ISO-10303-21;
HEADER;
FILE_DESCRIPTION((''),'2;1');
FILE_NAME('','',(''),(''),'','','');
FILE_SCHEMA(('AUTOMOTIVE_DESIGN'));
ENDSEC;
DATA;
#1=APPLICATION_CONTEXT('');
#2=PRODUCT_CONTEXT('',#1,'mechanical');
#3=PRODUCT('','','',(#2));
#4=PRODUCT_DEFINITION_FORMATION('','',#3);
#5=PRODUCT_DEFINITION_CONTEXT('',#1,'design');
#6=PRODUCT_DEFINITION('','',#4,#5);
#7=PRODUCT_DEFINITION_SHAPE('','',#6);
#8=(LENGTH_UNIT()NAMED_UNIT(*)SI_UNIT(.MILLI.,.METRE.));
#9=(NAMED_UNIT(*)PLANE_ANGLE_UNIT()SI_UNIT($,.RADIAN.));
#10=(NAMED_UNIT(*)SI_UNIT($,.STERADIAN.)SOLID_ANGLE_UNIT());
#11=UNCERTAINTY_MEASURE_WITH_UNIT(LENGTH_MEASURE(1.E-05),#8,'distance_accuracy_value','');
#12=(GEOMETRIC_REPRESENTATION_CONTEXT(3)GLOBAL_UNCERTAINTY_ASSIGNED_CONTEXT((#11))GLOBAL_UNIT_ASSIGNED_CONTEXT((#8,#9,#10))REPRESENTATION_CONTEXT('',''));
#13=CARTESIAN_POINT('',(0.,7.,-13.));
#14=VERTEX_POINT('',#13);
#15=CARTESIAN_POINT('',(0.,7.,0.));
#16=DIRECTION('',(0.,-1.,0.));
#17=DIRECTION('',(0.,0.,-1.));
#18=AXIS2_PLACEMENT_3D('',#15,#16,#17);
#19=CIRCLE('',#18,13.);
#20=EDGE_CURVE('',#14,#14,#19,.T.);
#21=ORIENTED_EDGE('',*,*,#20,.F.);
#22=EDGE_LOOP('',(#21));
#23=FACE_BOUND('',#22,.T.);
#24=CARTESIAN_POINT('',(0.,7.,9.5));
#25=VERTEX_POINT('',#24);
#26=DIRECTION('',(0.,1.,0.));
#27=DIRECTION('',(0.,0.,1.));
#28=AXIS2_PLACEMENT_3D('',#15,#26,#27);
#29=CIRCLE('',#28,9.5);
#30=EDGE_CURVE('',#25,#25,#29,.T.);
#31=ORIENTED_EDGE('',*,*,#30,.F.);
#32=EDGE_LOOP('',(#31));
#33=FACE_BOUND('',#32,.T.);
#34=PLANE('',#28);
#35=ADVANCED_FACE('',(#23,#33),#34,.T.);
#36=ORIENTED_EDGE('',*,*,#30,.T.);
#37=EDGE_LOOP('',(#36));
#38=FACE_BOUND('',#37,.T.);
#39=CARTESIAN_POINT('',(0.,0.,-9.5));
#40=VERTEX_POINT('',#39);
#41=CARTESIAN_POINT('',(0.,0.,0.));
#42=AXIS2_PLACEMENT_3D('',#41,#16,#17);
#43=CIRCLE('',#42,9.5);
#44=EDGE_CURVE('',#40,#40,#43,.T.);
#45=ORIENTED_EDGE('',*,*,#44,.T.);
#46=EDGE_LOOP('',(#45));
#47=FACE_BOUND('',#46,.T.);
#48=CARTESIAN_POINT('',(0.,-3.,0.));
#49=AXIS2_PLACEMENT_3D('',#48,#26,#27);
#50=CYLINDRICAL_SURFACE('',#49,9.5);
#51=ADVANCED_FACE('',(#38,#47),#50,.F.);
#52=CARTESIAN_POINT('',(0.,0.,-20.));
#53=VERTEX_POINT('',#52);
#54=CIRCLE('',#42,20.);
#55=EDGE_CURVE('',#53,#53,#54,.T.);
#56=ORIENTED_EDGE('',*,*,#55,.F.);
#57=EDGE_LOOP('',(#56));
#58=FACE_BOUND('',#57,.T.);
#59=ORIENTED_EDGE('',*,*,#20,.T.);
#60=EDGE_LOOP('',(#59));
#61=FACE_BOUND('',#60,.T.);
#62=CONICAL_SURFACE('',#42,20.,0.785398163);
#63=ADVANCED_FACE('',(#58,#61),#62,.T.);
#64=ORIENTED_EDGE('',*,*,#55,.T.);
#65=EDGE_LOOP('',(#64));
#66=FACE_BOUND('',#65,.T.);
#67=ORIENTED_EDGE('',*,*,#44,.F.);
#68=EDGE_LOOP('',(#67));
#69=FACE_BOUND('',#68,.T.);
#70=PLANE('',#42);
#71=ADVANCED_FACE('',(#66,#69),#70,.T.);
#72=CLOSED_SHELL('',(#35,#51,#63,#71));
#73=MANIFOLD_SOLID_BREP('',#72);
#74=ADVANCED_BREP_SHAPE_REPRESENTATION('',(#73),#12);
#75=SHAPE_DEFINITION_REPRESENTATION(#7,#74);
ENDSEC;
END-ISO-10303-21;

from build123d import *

# Parameters (mm, degrees)
SKETCH_2_R          = 9.5
CUT_EXTRUDE_1_DEPTH = 10


with BuildPart() as part:
    # 草图1 → 旋转1 (revolve)
    with BuildSketch(Plane.XY, mode=Mode.PRIVATE) as revolve_1_sk:
        Polygon((0, 0), (0, 7), (13, 7), (20, 0), align=None)
    revolve(revolve_1_sk.sketch.rotate(Axis((0, 0, 0), (0, 1, 0)), 90), axis=Axis((0, 0, 0), (0, 1, 0)))

    # 草图2 → 切除-拉伸1 (cut)
    with BuildSketch(Plane(origin=(0, 7, 0), x_dir=(1, 0, 0), z_dir=(0, 1, 0))):
        with Locations(Location((0, 0, 0), (0, 0, 270))):
            Circle(SKETCH_2_R)
    extrude(amount=-CUT_EXTRUDE_1_DEPTH, mode=Mode.SUBTRACT)


solid = part.part
